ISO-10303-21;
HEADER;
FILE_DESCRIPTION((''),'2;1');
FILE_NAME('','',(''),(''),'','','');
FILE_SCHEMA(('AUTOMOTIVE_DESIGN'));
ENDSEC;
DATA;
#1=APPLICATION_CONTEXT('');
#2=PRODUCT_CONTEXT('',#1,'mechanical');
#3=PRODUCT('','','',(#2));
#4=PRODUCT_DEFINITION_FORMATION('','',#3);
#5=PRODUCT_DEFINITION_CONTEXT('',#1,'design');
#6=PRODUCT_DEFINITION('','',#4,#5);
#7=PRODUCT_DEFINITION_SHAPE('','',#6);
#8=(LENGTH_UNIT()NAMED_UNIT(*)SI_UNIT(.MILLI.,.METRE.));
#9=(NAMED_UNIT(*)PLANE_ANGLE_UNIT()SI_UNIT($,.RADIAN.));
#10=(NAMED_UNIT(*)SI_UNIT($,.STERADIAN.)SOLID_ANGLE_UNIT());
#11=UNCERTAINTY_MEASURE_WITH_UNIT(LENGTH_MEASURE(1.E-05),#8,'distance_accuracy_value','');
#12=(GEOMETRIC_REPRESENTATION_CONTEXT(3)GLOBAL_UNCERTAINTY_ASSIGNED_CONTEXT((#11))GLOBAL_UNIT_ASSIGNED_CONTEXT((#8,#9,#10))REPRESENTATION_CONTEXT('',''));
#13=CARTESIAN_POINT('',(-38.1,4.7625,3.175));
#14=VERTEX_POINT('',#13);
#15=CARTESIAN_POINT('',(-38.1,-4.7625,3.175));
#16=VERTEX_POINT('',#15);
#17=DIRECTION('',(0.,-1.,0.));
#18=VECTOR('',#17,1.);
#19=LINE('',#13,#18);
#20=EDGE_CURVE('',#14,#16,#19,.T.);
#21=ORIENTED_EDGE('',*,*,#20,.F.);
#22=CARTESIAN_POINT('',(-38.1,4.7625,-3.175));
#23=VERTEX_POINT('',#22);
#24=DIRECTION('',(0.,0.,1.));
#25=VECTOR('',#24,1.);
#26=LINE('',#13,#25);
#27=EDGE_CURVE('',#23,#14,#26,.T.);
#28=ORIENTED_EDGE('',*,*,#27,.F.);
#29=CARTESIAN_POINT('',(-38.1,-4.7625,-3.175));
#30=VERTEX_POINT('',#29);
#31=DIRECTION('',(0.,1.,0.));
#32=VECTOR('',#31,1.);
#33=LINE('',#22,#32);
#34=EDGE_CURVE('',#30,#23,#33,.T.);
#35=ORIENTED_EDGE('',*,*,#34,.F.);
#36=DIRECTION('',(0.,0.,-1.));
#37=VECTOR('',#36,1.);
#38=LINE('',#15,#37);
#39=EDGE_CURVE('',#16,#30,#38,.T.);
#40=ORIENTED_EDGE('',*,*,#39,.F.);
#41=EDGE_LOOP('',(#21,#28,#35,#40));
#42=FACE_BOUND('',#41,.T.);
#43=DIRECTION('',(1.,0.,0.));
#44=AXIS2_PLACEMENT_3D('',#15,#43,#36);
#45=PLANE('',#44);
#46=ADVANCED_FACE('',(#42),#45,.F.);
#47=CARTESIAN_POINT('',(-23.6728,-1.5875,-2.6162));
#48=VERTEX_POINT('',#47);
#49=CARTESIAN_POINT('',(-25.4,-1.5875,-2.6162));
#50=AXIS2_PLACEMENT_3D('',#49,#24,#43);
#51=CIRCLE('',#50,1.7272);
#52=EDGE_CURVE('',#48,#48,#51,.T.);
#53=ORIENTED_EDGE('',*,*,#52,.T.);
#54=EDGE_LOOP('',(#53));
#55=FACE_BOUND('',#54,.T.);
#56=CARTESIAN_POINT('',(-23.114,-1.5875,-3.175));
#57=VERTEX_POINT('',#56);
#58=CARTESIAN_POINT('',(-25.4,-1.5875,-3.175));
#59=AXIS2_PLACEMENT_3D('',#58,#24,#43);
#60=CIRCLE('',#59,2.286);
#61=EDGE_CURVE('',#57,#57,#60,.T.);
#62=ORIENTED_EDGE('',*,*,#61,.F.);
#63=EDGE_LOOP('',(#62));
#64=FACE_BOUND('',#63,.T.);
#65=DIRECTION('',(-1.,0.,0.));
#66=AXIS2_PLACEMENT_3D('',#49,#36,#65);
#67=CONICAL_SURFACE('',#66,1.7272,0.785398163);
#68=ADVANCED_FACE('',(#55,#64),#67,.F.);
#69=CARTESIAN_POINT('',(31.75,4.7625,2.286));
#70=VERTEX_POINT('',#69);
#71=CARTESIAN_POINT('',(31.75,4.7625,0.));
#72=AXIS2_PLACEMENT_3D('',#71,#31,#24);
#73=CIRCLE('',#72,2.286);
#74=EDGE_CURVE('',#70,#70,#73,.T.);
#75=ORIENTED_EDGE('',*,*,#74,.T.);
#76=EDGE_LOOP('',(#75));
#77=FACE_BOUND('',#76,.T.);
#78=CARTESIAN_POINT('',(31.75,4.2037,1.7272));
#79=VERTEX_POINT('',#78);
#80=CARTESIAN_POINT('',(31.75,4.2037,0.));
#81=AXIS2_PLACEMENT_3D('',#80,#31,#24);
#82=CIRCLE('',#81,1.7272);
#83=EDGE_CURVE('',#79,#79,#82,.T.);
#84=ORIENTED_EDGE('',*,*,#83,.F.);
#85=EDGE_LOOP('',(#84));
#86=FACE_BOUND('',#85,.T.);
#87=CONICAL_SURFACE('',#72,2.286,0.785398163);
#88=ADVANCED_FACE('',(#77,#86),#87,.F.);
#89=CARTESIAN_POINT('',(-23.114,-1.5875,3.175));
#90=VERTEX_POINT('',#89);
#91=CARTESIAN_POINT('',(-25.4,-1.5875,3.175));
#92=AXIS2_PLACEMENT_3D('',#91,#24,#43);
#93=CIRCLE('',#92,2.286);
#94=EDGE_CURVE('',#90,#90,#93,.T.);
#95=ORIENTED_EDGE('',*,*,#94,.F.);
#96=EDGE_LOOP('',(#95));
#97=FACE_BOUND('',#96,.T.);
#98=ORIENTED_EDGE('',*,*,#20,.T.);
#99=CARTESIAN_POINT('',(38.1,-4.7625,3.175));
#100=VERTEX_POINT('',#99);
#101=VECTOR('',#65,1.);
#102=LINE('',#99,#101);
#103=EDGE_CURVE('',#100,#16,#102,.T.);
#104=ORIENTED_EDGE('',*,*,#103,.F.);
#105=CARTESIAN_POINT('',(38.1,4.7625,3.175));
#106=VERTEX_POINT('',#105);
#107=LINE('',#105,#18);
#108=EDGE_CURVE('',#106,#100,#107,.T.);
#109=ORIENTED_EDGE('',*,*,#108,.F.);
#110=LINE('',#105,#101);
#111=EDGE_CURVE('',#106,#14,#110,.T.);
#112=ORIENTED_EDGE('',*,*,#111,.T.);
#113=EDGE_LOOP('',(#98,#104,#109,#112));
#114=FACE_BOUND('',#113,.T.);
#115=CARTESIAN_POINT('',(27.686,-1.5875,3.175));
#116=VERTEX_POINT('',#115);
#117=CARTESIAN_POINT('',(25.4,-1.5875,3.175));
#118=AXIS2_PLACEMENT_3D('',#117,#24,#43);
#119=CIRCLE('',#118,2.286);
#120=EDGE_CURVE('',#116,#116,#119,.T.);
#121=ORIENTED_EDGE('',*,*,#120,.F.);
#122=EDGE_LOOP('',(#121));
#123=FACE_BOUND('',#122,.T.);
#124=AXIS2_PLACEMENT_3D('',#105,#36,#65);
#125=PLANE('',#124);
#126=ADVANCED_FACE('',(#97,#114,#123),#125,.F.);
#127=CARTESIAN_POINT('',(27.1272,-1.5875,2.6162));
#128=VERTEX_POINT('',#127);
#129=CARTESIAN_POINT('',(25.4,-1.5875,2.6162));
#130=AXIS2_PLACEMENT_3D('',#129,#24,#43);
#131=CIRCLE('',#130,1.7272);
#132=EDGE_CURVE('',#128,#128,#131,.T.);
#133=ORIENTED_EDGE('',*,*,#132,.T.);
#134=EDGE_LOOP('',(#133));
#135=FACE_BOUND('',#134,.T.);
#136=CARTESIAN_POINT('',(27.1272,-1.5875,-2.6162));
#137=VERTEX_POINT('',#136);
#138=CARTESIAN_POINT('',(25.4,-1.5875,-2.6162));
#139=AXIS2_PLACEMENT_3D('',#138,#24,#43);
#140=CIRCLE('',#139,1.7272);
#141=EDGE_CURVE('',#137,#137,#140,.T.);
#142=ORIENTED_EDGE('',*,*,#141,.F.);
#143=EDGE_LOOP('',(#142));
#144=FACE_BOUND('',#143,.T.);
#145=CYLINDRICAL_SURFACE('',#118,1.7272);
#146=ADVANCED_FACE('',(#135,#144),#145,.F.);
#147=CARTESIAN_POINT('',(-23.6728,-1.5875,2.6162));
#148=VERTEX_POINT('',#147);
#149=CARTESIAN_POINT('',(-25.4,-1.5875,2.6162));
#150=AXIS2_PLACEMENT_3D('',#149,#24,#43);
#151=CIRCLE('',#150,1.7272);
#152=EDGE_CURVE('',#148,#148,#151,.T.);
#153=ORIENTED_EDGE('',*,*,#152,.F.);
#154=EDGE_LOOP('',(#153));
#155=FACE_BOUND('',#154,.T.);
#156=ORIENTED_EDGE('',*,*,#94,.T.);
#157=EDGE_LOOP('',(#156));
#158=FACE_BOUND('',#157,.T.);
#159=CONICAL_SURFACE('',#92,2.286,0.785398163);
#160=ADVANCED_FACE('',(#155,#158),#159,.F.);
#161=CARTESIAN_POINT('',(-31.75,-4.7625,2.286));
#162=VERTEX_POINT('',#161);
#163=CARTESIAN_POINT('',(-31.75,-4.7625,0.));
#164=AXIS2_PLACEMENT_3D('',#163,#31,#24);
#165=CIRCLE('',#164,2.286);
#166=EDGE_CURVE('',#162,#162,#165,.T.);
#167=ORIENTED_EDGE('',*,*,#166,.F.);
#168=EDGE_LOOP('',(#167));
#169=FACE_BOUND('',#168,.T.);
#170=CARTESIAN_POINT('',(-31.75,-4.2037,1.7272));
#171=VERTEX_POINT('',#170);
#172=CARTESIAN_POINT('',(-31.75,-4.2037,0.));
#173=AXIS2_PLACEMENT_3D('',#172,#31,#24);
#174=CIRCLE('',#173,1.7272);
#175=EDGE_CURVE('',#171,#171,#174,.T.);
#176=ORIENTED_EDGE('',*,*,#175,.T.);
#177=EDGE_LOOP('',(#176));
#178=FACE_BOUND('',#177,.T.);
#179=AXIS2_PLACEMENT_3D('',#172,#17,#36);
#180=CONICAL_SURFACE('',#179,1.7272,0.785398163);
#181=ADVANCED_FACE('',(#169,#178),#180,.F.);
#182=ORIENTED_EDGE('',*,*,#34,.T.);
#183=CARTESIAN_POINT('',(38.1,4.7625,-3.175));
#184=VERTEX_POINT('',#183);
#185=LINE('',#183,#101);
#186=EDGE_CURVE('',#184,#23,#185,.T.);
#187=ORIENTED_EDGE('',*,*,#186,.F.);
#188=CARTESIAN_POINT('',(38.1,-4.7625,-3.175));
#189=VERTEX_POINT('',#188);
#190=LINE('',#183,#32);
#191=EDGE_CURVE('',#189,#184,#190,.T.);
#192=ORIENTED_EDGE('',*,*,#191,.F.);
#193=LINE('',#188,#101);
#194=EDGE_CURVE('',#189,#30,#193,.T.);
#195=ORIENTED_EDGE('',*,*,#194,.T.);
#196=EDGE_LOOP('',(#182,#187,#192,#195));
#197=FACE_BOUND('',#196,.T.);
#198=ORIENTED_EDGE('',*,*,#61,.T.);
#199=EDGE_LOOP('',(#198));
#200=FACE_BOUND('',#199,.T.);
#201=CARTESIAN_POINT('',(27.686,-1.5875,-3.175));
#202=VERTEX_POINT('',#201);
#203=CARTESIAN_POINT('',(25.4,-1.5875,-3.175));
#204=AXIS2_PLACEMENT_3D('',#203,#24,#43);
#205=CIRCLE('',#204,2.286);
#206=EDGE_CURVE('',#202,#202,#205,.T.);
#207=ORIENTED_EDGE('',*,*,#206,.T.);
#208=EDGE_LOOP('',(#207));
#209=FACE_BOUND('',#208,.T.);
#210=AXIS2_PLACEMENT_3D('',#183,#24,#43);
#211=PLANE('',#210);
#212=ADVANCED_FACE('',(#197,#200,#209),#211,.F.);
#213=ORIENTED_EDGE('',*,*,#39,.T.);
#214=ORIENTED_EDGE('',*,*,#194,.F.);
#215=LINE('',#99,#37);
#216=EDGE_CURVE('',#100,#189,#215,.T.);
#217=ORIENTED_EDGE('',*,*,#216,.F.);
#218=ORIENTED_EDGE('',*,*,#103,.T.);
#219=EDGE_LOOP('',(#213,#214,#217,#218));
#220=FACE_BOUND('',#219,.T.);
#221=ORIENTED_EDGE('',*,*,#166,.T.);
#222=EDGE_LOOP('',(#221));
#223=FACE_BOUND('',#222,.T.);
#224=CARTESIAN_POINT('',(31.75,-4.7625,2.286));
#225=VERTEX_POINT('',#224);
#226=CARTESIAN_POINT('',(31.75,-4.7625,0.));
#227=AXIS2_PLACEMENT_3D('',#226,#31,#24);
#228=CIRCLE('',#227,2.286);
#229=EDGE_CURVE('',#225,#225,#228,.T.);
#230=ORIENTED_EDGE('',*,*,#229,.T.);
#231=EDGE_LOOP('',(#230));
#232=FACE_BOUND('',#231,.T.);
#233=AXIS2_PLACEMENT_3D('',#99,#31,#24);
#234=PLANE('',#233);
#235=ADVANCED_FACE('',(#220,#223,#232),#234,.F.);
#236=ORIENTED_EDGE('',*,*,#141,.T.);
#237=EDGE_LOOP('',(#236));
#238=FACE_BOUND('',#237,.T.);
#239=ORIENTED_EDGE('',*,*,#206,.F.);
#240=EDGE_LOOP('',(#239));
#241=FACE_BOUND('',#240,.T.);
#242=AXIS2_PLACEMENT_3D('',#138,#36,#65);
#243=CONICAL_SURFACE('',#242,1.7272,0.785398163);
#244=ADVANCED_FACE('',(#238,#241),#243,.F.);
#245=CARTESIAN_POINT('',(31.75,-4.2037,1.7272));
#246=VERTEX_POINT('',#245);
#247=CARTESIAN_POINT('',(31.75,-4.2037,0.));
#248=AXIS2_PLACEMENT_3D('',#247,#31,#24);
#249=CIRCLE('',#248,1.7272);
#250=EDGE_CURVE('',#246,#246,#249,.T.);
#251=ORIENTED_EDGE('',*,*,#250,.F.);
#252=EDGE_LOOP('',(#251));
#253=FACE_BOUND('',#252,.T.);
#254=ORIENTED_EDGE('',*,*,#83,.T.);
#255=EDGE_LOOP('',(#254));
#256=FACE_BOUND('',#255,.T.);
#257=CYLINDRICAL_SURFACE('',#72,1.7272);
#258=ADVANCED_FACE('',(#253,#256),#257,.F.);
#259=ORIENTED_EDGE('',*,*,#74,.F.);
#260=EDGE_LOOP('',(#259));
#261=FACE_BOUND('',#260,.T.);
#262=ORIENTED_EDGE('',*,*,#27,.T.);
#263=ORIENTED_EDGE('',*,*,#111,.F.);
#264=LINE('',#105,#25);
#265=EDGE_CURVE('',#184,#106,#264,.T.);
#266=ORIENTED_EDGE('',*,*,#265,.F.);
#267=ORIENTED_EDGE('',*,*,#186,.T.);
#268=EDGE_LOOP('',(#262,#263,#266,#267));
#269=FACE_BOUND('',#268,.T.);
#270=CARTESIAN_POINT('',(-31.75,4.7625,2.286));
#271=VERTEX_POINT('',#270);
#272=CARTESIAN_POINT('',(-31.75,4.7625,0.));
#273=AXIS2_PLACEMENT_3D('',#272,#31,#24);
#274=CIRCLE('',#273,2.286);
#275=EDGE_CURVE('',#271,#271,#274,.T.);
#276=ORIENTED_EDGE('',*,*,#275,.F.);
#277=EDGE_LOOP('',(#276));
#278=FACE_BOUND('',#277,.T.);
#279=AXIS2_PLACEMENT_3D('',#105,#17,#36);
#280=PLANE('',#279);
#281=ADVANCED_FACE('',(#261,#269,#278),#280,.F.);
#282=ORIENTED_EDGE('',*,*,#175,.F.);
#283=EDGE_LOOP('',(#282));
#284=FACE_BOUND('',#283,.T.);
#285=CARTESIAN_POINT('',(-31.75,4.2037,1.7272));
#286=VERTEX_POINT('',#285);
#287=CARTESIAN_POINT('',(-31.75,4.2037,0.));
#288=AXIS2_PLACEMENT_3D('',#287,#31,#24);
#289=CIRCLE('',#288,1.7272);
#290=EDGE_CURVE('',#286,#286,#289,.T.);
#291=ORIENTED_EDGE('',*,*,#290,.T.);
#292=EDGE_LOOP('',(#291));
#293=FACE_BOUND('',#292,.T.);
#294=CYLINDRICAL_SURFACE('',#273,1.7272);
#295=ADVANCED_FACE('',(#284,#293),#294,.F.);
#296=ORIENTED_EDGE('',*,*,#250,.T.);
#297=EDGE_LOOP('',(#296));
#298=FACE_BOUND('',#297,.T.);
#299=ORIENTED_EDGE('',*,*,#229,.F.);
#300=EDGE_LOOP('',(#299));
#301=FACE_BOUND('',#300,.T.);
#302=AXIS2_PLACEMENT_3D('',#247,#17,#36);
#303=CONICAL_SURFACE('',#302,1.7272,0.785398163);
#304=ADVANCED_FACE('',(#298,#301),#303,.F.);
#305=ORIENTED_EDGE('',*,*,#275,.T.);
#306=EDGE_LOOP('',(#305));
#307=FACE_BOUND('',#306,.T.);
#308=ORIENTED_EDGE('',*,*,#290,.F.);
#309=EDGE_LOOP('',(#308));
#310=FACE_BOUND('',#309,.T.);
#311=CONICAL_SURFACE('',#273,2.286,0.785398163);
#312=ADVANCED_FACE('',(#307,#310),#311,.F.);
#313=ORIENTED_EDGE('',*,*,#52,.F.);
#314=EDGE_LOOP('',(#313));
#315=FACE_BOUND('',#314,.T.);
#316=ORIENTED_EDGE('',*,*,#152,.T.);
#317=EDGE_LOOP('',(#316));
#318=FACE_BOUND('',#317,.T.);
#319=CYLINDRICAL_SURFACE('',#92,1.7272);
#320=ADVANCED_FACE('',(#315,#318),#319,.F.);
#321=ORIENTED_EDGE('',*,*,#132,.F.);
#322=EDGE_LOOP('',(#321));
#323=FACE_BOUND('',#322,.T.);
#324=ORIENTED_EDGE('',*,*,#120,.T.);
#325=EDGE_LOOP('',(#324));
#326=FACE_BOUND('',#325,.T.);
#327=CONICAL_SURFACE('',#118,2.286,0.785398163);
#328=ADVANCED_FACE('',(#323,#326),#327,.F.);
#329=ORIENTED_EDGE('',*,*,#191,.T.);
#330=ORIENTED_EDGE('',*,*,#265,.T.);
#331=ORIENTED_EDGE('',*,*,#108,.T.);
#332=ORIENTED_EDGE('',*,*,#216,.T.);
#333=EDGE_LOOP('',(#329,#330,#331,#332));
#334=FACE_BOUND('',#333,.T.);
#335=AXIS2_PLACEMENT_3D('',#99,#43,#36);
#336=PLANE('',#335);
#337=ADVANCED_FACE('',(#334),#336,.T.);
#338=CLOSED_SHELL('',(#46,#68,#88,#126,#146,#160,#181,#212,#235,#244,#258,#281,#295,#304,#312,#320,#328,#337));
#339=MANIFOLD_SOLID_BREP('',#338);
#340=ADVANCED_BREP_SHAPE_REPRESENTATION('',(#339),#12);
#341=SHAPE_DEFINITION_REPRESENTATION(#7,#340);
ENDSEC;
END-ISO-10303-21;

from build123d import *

# Parameters (mm, degrees)
SKETCH1_W                      = 6.35
SKETCH1_H                      = 9.525
BOSS_EXTRUDE1_DEPTH            = 38.1
F_8_32_TAPPED_HOLE1_AT_2_COUNT = 2
F_8_32_TAPPED_HOLE1_AT_2_PITCH = 63.5
F_8_32_TAPPED_HOLE2_AT_2_COUNT = 2
F_8_32_TAPPED_HOLE2_AT_2_PITCH = 50.8


with BuildPart() as part:
    # Sketch1 → Boss-Extrude1 (new, symmetric)
    with BuildSketch(Plane(origin=(0, 0, 0), x_dir=(0, 0, -1), z_dir=(1, 0, 0))):
        Rectangle(SKETCH1_W, SKETCH1_H)
    extrude(amount=BOSS_EXTRUDE1_DEPTH, both=True)

    # Sketch2 → #8-32 Tapped Hole1 (revolve, cut)
    with BuildSketch(Plane(origin=(31.75, 4.7625, 0), x_dir=(0, 0, 1), z_dir=(1, 0, 0))):
        Polygon((0, 0), (0, 9.525), (2.286, 9.525), (1.7272, 8.9662), (1.7272, 0.5588), (2.286, 0), align=None)
    f_8_32_tapped_hole1 = revolve(axis=Axis((31.75, 11.1125, 0), (0, -1, 0)), mode=Mode.SUBTRACT)

    # #8-32 Tapped Hole1 at 2: #8-32 Tapped Hole1 ×2
    with Locations(*[(-i * F_8_32_TAPPED_HOLE1_AT_2_PITCH, 0, 0) for i in range(1, F_8_32_TAPPED_HOLE1_AT_2_COUNT)]):
        add(f_8_32_tapped_hole1, mode=Mode.SUBTRACT)

    # Sketch4 → #8-32 Tapped Hole2 (revolve, cut)
    with BuildSketch(Plane(origin=(25.4, -1.5875, 3.175), x_dir=(0, -1, 0), z_dir=(1, 0, 0))):
        Polygon((0, 0), (0, 6.35), (2.286, 6.35), (1.7272, 5.7912), (1.7272, 0.5588), (2.286, 0), align=None)
    f_8_32_tapped_hole2 = revolve(axis=Axis((25.4, -1.5875, 9.525), (0, 0, -1)), mode=Mode.SUBTRACT)

    # #8-32 Tapped Hole2 at 2: #8-32 Tapped Hole2 ×2
    with Locations(*[(-i * F_8_32_TAPPED_HOLE2_AT_2_PITCH, 0, 0) for i in range(1, F_8_32_TAPPED_HOLE2_AT_2_COUNT)]):
        add(f_8_32_tapped_hole2, mode=Mode.SUBTRACT)


solid = part.part
